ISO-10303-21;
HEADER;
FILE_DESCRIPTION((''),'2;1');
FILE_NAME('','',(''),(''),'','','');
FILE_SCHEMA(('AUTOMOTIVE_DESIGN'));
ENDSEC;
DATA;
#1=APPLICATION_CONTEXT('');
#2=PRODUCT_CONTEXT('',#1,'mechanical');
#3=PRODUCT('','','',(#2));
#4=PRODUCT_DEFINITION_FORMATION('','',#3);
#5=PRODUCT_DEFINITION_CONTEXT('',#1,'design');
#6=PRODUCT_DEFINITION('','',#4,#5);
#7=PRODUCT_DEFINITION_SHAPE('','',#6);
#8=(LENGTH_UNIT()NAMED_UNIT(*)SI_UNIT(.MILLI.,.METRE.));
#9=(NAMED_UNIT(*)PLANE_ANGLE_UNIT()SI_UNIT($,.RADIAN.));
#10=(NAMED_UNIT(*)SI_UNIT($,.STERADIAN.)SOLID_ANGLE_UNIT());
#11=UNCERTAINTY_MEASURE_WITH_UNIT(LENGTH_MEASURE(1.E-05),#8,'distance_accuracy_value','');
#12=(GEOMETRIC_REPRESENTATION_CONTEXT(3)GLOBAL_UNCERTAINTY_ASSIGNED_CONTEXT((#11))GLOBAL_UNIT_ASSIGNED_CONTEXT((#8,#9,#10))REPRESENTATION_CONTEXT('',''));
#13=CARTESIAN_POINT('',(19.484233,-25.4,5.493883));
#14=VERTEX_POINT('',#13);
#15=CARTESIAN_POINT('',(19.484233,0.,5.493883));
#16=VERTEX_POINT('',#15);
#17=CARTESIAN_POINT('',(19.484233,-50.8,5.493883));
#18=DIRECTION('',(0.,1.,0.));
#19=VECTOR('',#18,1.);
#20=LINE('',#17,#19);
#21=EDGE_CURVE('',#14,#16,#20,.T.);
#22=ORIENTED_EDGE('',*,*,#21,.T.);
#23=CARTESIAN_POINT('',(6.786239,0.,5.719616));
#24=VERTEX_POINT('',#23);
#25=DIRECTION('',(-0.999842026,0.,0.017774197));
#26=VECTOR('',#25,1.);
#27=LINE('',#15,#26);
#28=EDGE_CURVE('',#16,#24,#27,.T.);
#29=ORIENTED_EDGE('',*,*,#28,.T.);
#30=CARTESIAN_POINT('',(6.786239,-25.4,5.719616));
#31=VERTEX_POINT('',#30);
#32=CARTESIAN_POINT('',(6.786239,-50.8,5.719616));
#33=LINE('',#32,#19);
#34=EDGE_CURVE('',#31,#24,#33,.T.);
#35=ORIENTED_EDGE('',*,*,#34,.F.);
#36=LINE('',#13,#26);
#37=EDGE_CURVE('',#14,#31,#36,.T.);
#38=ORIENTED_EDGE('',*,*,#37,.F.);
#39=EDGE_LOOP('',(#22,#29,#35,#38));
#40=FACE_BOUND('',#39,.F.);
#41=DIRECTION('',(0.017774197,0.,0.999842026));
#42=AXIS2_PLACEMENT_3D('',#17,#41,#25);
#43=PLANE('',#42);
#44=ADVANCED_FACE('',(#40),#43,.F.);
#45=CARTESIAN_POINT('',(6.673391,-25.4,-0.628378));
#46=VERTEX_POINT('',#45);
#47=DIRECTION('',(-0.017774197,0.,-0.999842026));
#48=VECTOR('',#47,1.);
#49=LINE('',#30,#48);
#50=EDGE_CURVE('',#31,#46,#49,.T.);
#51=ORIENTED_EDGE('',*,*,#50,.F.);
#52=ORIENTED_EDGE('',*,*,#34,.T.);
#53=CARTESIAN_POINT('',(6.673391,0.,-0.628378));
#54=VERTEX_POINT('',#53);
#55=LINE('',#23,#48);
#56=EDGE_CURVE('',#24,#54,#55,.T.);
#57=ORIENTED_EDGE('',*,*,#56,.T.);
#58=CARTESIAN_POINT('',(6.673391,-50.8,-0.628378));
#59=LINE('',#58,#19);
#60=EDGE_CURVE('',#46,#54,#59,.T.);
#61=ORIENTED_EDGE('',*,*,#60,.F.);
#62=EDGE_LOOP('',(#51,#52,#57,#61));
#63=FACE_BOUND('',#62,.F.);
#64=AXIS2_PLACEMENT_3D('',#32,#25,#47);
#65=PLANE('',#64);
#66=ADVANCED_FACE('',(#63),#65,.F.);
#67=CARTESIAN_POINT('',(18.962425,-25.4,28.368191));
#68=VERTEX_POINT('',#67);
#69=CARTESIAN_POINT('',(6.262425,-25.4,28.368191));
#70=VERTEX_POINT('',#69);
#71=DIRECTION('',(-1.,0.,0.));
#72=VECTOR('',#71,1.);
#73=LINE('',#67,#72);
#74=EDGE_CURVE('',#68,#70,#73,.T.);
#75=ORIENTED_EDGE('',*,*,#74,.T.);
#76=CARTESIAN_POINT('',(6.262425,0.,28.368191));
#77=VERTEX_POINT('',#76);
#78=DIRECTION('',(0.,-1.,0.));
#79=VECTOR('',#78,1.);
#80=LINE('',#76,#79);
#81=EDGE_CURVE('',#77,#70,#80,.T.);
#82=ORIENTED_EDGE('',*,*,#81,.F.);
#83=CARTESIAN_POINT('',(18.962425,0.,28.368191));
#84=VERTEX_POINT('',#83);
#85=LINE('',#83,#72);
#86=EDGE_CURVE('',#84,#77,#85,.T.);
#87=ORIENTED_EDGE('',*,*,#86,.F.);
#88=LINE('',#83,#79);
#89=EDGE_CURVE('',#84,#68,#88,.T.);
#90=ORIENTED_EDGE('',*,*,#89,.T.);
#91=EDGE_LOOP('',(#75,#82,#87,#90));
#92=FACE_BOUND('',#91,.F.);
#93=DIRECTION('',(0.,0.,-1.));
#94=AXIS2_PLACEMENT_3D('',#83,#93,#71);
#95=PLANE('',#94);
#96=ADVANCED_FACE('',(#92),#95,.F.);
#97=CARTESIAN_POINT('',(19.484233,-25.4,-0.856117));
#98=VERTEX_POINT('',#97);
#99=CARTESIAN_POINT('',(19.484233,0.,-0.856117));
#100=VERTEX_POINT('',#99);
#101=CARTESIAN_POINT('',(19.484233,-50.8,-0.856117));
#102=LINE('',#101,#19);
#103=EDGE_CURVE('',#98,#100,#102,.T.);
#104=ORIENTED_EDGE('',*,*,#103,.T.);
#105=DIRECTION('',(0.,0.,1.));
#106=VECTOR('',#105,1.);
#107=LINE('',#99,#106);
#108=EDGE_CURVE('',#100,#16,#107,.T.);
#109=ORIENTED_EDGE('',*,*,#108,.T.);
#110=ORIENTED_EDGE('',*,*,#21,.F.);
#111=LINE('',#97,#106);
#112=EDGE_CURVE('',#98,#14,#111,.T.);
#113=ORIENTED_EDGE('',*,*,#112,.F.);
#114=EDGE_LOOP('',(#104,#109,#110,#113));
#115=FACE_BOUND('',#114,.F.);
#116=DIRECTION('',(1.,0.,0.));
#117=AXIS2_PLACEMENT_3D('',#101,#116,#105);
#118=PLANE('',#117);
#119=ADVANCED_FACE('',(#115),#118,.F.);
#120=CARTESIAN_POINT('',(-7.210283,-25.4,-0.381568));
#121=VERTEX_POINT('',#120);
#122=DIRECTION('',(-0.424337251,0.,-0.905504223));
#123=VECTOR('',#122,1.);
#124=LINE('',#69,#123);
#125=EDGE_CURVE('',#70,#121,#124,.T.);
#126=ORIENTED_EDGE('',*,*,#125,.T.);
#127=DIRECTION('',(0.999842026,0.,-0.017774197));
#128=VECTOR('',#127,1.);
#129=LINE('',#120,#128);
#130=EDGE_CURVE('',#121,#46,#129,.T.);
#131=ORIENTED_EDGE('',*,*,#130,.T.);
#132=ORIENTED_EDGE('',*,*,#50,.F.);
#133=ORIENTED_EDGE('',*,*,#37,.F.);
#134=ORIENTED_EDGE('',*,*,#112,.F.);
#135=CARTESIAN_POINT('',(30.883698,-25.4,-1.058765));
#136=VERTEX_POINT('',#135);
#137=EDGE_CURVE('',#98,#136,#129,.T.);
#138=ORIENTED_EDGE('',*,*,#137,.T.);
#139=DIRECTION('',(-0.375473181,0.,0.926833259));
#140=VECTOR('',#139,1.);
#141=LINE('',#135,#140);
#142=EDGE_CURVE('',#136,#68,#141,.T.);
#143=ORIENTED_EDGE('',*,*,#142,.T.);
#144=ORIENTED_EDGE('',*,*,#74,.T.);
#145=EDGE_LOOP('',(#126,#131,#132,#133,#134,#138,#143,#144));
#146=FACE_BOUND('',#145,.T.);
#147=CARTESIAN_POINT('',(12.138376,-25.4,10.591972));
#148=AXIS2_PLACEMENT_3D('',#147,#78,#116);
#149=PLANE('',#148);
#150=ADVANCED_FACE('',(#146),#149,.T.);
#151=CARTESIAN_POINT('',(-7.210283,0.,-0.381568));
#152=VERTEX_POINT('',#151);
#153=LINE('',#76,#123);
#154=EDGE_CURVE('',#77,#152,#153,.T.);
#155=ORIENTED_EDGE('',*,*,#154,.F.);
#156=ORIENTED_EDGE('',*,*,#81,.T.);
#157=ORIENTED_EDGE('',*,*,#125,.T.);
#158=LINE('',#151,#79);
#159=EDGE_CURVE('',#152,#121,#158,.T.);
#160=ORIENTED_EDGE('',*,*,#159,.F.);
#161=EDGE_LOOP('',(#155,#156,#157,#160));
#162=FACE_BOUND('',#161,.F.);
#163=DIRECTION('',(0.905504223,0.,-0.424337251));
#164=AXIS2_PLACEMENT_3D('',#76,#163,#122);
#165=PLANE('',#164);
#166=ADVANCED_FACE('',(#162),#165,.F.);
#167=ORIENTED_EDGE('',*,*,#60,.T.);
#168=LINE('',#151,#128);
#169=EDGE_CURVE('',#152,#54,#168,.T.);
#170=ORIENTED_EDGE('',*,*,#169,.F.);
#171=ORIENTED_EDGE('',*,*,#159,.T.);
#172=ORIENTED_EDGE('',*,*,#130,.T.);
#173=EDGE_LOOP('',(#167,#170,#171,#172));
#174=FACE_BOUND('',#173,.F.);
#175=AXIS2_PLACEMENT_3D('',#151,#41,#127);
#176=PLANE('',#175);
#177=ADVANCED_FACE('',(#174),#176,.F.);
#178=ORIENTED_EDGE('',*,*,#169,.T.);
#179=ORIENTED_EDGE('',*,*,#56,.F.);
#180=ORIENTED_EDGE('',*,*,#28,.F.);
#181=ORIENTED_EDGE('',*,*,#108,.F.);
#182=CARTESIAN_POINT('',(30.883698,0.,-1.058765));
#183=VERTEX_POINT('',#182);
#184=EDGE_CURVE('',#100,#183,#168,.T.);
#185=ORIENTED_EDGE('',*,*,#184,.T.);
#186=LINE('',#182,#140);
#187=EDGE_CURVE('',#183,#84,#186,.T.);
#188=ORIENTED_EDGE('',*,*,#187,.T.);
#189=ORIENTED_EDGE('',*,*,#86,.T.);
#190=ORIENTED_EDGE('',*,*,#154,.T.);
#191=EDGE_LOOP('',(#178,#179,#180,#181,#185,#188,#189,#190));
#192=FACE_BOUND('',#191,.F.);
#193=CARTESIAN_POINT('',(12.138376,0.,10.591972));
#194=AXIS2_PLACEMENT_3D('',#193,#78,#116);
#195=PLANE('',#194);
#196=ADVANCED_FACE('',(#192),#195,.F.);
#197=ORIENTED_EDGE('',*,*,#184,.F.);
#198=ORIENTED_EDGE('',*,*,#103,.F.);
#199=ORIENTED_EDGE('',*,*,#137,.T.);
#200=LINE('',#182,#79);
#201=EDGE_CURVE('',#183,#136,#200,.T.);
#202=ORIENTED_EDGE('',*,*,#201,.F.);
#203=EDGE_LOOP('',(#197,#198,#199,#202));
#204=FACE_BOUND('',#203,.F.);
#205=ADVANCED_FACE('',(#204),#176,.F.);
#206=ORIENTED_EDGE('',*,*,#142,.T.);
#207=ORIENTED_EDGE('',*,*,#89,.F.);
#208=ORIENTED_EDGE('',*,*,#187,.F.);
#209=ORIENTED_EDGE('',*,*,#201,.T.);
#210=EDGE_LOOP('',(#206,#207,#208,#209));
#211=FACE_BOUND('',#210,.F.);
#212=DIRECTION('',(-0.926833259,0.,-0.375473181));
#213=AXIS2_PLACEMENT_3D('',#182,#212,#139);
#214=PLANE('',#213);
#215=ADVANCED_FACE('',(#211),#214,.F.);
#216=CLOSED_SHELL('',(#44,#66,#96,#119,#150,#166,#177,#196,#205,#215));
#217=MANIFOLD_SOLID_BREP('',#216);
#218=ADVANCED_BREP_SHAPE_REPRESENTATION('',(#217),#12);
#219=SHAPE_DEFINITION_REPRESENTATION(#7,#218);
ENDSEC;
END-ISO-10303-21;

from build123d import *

# Parameters (mm, degrees)
F1_DEPTH = 25.4
F3_DEPTH = 25.4
F4_DEPTH = 50.8


with BuildPart() as f1:
    # F0 (on Front) → F1 (new body)
    with BuildSketch(Plane.XZ):
        Polygon((6.2624249645, 28.3681909489), (-7.2102827521, -0.3815681245), (30.8836984568, -1.0587650323), (18.9624249645, 28.3681909489), align=None)
    extrude(amount=F1_DEPTH)

    # F2 (on face) → F3 (join)
    with BuildSketch(Plane.XZ.offset(25.4)):
        Polygon((6.7862393458, 5.7196156272), (6.6733910244, -0.6283782675), (19.4842330822, -0.8561166753), (19.4842330822, 5.4938833247), align=None)
    extrude(amount=F3_DEPTH)

    # F4 (cut): a face of the model
    f4_faces = [f1.faces().sort_by_distance(p)[0] for p in [
        (13.1069825312, -50.8, 2.42756979),
    ]]
    extrude(f4_faces, amount=-F4_DEPTH, mode=Mode.SUBTRACT)


solid = f1.part
